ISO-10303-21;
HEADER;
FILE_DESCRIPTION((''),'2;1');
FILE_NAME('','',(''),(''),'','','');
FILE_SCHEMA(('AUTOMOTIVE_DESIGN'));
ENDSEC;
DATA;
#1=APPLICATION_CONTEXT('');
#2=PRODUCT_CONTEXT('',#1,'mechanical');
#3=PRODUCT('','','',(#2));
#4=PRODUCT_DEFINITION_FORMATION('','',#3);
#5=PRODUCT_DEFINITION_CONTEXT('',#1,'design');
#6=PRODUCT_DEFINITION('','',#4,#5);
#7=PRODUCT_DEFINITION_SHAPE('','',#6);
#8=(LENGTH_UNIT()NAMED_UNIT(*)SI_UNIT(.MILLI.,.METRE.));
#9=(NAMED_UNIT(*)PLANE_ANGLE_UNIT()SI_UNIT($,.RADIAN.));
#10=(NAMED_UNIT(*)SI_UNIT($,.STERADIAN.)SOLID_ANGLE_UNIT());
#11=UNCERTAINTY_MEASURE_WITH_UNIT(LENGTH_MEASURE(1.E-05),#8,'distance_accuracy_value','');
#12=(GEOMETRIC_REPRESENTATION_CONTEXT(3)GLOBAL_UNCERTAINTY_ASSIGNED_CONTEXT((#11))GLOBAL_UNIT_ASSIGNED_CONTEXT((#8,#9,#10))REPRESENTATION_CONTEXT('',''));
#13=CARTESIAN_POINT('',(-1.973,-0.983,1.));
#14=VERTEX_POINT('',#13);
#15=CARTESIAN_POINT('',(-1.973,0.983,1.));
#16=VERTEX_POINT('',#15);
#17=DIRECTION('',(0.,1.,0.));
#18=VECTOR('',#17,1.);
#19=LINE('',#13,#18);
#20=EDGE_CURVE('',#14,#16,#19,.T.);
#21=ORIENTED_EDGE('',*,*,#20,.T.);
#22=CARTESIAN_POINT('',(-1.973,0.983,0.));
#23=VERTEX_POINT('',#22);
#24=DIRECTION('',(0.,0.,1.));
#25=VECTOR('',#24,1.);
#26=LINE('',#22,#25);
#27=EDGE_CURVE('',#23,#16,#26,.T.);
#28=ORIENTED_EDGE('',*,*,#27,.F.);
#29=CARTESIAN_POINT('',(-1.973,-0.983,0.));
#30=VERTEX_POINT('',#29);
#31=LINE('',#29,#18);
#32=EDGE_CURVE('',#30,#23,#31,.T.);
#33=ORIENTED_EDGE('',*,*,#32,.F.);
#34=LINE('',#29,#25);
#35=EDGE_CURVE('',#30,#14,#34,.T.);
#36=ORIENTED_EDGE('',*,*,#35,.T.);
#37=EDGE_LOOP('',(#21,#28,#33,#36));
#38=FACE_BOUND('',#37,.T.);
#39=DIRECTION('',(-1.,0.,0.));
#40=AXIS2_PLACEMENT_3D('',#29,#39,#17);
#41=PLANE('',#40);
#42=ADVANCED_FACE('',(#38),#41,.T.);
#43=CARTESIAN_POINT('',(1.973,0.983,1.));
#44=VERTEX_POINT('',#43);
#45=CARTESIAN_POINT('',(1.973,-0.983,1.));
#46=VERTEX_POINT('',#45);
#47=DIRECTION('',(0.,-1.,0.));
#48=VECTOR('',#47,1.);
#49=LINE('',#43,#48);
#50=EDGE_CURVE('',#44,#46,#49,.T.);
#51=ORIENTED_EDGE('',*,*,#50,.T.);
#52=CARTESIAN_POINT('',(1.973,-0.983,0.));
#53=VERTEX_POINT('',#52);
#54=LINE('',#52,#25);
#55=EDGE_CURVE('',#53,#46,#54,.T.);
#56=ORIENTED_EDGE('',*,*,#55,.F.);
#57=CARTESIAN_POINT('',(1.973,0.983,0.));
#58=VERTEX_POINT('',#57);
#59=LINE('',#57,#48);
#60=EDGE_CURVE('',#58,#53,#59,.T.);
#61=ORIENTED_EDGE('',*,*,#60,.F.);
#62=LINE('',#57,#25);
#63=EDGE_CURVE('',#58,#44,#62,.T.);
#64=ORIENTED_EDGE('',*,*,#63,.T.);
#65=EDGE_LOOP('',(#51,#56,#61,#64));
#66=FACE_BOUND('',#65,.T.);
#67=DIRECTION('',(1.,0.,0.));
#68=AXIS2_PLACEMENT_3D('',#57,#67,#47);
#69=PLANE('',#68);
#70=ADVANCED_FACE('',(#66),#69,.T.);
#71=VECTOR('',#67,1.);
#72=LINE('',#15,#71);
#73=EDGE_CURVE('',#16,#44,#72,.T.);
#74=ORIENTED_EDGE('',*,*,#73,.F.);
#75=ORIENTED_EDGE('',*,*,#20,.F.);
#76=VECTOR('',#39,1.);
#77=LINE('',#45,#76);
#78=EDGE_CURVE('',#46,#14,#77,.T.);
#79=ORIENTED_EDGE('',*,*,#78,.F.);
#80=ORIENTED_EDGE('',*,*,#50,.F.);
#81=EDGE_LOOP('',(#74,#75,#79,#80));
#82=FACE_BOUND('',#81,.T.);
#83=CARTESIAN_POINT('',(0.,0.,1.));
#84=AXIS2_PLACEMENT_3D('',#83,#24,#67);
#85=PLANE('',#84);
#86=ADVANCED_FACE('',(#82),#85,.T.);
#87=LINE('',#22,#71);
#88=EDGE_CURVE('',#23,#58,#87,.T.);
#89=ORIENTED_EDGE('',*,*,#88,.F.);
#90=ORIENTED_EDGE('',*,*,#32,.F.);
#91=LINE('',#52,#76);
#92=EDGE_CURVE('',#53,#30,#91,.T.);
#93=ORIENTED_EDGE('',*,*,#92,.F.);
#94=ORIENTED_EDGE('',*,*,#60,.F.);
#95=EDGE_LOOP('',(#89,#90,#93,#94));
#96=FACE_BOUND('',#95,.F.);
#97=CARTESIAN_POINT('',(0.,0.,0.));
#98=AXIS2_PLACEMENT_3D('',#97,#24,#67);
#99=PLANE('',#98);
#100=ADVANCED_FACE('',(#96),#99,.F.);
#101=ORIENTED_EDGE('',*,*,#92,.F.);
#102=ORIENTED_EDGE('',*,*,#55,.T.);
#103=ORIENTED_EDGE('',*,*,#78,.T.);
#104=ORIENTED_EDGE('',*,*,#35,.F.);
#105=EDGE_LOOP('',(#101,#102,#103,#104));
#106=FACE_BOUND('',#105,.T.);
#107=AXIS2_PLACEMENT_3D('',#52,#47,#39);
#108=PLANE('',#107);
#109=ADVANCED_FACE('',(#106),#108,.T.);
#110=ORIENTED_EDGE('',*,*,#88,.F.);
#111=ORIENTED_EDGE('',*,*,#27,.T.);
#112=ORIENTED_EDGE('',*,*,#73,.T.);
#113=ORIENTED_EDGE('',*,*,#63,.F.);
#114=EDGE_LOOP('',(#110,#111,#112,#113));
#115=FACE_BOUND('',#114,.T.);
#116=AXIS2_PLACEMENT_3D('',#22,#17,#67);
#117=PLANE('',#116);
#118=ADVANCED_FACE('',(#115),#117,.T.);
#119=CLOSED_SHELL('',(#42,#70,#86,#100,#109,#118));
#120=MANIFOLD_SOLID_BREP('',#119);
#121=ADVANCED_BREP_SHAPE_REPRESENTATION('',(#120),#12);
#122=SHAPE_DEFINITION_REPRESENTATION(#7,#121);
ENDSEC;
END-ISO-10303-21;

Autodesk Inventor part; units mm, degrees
ref_plane "YZ Plane" through (0, 0, 0) normal (1, 0, 0) x (0, 1, 0)
ref_plane "XZ Plane" through (0, 0, 0) normal (0, 1, 0) x (-1, 0, 0)
ref_plane "XY Plane" through (0, 0, 0) normal (0, 0, 1) x (1, 0, 0)
sketch "R0805, R0805_10" plane through (0, 0, 0) normal (0, 0, 1) x (1, 0, 0)
  line L0 (-1.973, 0.983) -> (1.973, 0.983)
  line L1 (1.973, 0.983) -> (1.973, -0.983)
  line L2 (1.973, -0.983) -> (-1.973, -0.983)
  line L3 (-1.973, -0.983) -> (-1.973, 0.983)
extrude "Выдавливание1" add sketch "R0805, R0805_10" along normal blind 1
properties part number "R0805"
